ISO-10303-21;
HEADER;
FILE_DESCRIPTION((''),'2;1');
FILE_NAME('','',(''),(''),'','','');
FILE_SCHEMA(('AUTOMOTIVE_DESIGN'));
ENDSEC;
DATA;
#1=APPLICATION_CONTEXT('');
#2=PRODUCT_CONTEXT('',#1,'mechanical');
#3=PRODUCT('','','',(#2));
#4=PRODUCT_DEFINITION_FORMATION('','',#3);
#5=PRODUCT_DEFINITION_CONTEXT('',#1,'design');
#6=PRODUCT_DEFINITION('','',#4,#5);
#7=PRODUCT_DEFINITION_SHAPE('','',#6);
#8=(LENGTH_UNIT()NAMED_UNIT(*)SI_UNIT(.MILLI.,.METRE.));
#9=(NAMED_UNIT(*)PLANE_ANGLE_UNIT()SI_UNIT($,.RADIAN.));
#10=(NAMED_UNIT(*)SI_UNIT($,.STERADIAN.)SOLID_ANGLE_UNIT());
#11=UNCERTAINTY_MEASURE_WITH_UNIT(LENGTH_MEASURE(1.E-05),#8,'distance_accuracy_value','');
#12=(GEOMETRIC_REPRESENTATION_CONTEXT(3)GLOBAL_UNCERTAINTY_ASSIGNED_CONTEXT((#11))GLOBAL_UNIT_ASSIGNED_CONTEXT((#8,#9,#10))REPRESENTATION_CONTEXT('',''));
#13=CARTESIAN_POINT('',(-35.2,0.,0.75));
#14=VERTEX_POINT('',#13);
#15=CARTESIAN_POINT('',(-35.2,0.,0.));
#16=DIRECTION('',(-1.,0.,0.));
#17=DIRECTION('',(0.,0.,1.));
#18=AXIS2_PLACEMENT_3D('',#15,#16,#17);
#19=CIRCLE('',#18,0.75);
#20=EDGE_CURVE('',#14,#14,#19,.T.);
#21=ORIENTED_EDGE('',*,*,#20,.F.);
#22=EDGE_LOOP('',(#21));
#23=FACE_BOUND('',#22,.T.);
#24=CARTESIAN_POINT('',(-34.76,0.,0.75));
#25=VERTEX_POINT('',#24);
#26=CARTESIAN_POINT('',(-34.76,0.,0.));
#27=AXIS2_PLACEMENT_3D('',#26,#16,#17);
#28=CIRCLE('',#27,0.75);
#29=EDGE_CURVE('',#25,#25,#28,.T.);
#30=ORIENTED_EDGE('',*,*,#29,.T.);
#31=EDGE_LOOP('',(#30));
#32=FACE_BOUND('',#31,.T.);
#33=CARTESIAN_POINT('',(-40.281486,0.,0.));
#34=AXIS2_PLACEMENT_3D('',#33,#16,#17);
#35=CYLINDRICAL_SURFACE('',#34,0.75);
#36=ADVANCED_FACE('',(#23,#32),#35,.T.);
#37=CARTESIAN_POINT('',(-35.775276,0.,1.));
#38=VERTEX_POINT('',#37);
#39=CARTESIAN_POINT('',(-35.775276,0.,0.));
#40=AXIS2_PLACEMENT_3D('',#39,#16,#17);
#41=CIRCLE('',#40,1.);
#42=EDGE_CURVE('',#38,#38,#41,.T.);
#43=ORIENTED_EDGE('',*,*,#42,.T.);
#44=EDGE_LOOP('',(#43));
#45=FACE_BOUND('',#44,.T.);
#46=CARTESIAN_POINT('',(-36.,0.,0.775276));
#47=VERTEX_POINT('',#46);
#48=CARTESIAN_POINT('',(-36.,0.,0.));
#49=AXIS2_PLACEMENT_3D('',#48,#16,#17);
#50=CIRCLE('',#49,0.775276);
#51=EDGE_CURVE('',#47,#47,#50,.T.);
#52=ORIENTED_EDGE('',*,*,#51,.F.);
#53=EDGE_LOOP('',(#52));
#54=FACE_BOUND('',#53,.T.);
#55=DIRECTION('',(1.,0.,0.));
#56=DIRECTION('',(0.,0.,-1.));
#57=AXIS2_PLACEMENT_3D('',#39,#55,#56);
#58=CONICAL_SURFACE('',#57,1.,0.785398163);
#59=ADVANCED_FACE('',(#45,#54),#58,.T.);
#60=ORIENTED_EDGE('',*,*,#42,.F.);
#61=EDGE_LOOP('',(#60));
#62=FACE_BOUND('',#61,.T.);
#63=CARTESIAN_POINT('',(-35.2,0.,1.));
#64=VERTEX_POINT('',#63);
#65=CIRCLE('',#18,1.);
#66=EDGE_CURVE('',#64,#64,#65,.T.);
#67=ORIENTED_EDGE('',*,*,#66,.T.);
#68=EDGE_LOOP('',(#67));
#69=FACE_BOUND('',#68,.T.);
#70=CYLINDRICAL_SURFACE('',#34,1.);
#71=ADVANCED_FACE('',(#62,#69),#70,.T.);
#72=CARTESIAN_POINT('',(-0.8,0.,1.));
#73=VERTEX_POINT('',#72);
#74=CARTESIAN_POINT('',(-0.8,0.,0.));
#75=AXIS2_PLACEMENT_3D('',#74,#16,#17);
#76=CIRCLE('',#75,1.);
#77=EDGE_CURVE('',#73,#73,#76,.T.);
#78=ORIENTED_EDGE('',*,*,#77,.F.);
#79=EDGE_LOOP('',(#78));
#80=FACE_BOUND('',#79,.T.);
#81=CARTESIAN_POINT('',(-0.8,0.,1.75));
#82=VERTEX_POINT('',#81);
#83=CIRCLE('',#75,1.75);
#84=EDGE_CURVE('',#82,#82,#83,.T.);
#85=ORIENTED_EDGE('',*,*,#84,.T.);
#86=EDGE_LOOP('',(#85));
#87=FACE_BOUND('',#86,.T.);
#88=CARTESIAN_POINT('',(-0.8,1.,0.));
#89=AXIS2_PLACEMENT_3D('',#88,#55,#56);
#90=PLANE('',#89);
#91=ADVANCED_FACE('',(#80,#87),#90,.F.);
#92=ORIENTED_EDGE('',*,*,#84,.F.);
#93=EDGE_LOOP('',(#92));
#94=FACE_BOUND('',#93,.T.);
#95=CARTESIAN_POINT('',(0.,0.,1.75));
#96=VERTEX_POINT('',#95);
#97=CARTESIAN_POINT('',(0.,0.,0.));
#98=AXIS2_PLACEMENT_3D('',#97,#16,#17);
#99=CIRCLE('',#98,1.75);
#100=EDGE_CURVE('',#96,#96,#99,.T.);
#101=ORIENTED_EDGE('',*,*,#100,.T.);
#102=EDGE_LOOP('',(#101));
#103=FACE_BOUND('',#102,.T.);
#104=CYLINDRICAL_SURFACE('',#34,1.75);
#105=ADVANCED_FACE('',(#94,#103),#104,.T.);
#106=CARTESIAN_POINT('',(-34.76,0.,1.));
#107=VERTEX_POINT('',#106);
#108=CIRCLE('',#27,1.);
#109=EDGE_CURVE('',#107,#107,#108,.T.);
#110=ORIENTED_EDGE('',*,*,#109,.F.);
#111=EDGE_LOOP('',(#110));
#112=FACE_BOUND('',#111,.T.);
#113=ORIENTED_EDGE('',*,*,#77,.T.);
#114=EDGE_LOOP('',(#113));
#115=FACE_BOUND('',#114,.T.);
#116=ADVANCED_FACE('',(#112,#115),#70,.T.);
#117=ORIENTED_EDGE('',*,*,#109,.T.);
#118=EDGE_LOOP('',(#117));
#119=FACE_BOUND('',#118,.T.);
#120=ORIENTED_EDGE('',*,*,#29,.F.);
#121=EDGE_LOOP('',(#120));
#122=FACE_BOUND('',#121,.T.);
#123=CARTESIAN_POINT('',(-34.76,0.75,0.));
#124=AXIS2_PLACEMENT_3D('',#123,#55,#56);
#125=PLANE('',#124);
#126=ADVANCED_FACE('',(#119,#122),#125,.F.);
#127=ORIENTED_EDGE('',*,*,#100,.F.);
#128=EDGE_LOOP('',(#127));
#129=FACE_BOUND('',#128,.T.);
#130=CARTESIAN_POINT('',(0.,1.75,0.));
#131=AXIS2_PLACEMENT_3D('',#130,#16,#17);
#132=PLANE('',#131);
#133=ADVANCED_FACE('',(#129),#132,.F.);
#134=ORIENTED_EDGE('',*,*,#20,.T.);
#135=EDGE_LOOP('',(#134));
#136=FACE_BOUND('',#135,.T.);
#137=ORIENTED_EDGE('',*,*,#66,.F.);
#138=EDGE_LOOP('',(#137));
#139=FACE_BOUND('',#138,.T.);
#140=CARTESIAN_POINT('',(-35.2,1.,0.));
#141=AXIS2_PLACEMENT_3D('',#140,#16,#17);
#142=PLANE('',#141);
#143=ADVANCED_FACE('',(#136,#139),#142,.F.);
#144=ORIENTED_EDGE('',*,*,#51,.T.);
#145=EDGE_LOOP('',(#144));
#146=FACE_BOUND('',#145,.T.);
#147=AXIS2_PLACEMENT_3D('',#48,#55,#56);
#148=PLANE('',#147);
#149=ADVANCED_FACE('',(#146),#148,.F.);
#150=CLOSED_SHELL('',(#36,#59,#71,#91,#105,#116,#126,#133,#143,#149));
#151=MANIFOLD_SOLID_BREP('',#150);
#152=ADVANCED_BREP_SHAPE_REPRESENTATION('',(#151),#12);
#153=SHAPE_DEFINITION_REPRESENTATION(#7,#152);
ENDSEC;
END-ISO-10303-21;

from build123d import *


with BuildPart() as part:
    # Esquisse3 → Révolution1 (revolve)
    with BuildSketch(Plane.XY, mode=Mode.PRIVATE) as r_volution1_sk:
        Polygon((-0.8, 1), (-0.8, 1.75), (0, 1.75), (0, 0), (-36, 0), (-36, 0.775275826), (-35.775275826, 1), (-35.2, 1), (-35.2, 0.75), (-34.76, 0.75), (-34.76, 1), align=None)
    revolve(r_volution1_sk.sketch.rotate(Axis((-40.281486239, 0, 0), (1, 0, 0)), 90), axis=Axis((-40.281486239, 0, 0), (1, 0, 0)))  # turned: the seam where the file's is


solid = part.part
